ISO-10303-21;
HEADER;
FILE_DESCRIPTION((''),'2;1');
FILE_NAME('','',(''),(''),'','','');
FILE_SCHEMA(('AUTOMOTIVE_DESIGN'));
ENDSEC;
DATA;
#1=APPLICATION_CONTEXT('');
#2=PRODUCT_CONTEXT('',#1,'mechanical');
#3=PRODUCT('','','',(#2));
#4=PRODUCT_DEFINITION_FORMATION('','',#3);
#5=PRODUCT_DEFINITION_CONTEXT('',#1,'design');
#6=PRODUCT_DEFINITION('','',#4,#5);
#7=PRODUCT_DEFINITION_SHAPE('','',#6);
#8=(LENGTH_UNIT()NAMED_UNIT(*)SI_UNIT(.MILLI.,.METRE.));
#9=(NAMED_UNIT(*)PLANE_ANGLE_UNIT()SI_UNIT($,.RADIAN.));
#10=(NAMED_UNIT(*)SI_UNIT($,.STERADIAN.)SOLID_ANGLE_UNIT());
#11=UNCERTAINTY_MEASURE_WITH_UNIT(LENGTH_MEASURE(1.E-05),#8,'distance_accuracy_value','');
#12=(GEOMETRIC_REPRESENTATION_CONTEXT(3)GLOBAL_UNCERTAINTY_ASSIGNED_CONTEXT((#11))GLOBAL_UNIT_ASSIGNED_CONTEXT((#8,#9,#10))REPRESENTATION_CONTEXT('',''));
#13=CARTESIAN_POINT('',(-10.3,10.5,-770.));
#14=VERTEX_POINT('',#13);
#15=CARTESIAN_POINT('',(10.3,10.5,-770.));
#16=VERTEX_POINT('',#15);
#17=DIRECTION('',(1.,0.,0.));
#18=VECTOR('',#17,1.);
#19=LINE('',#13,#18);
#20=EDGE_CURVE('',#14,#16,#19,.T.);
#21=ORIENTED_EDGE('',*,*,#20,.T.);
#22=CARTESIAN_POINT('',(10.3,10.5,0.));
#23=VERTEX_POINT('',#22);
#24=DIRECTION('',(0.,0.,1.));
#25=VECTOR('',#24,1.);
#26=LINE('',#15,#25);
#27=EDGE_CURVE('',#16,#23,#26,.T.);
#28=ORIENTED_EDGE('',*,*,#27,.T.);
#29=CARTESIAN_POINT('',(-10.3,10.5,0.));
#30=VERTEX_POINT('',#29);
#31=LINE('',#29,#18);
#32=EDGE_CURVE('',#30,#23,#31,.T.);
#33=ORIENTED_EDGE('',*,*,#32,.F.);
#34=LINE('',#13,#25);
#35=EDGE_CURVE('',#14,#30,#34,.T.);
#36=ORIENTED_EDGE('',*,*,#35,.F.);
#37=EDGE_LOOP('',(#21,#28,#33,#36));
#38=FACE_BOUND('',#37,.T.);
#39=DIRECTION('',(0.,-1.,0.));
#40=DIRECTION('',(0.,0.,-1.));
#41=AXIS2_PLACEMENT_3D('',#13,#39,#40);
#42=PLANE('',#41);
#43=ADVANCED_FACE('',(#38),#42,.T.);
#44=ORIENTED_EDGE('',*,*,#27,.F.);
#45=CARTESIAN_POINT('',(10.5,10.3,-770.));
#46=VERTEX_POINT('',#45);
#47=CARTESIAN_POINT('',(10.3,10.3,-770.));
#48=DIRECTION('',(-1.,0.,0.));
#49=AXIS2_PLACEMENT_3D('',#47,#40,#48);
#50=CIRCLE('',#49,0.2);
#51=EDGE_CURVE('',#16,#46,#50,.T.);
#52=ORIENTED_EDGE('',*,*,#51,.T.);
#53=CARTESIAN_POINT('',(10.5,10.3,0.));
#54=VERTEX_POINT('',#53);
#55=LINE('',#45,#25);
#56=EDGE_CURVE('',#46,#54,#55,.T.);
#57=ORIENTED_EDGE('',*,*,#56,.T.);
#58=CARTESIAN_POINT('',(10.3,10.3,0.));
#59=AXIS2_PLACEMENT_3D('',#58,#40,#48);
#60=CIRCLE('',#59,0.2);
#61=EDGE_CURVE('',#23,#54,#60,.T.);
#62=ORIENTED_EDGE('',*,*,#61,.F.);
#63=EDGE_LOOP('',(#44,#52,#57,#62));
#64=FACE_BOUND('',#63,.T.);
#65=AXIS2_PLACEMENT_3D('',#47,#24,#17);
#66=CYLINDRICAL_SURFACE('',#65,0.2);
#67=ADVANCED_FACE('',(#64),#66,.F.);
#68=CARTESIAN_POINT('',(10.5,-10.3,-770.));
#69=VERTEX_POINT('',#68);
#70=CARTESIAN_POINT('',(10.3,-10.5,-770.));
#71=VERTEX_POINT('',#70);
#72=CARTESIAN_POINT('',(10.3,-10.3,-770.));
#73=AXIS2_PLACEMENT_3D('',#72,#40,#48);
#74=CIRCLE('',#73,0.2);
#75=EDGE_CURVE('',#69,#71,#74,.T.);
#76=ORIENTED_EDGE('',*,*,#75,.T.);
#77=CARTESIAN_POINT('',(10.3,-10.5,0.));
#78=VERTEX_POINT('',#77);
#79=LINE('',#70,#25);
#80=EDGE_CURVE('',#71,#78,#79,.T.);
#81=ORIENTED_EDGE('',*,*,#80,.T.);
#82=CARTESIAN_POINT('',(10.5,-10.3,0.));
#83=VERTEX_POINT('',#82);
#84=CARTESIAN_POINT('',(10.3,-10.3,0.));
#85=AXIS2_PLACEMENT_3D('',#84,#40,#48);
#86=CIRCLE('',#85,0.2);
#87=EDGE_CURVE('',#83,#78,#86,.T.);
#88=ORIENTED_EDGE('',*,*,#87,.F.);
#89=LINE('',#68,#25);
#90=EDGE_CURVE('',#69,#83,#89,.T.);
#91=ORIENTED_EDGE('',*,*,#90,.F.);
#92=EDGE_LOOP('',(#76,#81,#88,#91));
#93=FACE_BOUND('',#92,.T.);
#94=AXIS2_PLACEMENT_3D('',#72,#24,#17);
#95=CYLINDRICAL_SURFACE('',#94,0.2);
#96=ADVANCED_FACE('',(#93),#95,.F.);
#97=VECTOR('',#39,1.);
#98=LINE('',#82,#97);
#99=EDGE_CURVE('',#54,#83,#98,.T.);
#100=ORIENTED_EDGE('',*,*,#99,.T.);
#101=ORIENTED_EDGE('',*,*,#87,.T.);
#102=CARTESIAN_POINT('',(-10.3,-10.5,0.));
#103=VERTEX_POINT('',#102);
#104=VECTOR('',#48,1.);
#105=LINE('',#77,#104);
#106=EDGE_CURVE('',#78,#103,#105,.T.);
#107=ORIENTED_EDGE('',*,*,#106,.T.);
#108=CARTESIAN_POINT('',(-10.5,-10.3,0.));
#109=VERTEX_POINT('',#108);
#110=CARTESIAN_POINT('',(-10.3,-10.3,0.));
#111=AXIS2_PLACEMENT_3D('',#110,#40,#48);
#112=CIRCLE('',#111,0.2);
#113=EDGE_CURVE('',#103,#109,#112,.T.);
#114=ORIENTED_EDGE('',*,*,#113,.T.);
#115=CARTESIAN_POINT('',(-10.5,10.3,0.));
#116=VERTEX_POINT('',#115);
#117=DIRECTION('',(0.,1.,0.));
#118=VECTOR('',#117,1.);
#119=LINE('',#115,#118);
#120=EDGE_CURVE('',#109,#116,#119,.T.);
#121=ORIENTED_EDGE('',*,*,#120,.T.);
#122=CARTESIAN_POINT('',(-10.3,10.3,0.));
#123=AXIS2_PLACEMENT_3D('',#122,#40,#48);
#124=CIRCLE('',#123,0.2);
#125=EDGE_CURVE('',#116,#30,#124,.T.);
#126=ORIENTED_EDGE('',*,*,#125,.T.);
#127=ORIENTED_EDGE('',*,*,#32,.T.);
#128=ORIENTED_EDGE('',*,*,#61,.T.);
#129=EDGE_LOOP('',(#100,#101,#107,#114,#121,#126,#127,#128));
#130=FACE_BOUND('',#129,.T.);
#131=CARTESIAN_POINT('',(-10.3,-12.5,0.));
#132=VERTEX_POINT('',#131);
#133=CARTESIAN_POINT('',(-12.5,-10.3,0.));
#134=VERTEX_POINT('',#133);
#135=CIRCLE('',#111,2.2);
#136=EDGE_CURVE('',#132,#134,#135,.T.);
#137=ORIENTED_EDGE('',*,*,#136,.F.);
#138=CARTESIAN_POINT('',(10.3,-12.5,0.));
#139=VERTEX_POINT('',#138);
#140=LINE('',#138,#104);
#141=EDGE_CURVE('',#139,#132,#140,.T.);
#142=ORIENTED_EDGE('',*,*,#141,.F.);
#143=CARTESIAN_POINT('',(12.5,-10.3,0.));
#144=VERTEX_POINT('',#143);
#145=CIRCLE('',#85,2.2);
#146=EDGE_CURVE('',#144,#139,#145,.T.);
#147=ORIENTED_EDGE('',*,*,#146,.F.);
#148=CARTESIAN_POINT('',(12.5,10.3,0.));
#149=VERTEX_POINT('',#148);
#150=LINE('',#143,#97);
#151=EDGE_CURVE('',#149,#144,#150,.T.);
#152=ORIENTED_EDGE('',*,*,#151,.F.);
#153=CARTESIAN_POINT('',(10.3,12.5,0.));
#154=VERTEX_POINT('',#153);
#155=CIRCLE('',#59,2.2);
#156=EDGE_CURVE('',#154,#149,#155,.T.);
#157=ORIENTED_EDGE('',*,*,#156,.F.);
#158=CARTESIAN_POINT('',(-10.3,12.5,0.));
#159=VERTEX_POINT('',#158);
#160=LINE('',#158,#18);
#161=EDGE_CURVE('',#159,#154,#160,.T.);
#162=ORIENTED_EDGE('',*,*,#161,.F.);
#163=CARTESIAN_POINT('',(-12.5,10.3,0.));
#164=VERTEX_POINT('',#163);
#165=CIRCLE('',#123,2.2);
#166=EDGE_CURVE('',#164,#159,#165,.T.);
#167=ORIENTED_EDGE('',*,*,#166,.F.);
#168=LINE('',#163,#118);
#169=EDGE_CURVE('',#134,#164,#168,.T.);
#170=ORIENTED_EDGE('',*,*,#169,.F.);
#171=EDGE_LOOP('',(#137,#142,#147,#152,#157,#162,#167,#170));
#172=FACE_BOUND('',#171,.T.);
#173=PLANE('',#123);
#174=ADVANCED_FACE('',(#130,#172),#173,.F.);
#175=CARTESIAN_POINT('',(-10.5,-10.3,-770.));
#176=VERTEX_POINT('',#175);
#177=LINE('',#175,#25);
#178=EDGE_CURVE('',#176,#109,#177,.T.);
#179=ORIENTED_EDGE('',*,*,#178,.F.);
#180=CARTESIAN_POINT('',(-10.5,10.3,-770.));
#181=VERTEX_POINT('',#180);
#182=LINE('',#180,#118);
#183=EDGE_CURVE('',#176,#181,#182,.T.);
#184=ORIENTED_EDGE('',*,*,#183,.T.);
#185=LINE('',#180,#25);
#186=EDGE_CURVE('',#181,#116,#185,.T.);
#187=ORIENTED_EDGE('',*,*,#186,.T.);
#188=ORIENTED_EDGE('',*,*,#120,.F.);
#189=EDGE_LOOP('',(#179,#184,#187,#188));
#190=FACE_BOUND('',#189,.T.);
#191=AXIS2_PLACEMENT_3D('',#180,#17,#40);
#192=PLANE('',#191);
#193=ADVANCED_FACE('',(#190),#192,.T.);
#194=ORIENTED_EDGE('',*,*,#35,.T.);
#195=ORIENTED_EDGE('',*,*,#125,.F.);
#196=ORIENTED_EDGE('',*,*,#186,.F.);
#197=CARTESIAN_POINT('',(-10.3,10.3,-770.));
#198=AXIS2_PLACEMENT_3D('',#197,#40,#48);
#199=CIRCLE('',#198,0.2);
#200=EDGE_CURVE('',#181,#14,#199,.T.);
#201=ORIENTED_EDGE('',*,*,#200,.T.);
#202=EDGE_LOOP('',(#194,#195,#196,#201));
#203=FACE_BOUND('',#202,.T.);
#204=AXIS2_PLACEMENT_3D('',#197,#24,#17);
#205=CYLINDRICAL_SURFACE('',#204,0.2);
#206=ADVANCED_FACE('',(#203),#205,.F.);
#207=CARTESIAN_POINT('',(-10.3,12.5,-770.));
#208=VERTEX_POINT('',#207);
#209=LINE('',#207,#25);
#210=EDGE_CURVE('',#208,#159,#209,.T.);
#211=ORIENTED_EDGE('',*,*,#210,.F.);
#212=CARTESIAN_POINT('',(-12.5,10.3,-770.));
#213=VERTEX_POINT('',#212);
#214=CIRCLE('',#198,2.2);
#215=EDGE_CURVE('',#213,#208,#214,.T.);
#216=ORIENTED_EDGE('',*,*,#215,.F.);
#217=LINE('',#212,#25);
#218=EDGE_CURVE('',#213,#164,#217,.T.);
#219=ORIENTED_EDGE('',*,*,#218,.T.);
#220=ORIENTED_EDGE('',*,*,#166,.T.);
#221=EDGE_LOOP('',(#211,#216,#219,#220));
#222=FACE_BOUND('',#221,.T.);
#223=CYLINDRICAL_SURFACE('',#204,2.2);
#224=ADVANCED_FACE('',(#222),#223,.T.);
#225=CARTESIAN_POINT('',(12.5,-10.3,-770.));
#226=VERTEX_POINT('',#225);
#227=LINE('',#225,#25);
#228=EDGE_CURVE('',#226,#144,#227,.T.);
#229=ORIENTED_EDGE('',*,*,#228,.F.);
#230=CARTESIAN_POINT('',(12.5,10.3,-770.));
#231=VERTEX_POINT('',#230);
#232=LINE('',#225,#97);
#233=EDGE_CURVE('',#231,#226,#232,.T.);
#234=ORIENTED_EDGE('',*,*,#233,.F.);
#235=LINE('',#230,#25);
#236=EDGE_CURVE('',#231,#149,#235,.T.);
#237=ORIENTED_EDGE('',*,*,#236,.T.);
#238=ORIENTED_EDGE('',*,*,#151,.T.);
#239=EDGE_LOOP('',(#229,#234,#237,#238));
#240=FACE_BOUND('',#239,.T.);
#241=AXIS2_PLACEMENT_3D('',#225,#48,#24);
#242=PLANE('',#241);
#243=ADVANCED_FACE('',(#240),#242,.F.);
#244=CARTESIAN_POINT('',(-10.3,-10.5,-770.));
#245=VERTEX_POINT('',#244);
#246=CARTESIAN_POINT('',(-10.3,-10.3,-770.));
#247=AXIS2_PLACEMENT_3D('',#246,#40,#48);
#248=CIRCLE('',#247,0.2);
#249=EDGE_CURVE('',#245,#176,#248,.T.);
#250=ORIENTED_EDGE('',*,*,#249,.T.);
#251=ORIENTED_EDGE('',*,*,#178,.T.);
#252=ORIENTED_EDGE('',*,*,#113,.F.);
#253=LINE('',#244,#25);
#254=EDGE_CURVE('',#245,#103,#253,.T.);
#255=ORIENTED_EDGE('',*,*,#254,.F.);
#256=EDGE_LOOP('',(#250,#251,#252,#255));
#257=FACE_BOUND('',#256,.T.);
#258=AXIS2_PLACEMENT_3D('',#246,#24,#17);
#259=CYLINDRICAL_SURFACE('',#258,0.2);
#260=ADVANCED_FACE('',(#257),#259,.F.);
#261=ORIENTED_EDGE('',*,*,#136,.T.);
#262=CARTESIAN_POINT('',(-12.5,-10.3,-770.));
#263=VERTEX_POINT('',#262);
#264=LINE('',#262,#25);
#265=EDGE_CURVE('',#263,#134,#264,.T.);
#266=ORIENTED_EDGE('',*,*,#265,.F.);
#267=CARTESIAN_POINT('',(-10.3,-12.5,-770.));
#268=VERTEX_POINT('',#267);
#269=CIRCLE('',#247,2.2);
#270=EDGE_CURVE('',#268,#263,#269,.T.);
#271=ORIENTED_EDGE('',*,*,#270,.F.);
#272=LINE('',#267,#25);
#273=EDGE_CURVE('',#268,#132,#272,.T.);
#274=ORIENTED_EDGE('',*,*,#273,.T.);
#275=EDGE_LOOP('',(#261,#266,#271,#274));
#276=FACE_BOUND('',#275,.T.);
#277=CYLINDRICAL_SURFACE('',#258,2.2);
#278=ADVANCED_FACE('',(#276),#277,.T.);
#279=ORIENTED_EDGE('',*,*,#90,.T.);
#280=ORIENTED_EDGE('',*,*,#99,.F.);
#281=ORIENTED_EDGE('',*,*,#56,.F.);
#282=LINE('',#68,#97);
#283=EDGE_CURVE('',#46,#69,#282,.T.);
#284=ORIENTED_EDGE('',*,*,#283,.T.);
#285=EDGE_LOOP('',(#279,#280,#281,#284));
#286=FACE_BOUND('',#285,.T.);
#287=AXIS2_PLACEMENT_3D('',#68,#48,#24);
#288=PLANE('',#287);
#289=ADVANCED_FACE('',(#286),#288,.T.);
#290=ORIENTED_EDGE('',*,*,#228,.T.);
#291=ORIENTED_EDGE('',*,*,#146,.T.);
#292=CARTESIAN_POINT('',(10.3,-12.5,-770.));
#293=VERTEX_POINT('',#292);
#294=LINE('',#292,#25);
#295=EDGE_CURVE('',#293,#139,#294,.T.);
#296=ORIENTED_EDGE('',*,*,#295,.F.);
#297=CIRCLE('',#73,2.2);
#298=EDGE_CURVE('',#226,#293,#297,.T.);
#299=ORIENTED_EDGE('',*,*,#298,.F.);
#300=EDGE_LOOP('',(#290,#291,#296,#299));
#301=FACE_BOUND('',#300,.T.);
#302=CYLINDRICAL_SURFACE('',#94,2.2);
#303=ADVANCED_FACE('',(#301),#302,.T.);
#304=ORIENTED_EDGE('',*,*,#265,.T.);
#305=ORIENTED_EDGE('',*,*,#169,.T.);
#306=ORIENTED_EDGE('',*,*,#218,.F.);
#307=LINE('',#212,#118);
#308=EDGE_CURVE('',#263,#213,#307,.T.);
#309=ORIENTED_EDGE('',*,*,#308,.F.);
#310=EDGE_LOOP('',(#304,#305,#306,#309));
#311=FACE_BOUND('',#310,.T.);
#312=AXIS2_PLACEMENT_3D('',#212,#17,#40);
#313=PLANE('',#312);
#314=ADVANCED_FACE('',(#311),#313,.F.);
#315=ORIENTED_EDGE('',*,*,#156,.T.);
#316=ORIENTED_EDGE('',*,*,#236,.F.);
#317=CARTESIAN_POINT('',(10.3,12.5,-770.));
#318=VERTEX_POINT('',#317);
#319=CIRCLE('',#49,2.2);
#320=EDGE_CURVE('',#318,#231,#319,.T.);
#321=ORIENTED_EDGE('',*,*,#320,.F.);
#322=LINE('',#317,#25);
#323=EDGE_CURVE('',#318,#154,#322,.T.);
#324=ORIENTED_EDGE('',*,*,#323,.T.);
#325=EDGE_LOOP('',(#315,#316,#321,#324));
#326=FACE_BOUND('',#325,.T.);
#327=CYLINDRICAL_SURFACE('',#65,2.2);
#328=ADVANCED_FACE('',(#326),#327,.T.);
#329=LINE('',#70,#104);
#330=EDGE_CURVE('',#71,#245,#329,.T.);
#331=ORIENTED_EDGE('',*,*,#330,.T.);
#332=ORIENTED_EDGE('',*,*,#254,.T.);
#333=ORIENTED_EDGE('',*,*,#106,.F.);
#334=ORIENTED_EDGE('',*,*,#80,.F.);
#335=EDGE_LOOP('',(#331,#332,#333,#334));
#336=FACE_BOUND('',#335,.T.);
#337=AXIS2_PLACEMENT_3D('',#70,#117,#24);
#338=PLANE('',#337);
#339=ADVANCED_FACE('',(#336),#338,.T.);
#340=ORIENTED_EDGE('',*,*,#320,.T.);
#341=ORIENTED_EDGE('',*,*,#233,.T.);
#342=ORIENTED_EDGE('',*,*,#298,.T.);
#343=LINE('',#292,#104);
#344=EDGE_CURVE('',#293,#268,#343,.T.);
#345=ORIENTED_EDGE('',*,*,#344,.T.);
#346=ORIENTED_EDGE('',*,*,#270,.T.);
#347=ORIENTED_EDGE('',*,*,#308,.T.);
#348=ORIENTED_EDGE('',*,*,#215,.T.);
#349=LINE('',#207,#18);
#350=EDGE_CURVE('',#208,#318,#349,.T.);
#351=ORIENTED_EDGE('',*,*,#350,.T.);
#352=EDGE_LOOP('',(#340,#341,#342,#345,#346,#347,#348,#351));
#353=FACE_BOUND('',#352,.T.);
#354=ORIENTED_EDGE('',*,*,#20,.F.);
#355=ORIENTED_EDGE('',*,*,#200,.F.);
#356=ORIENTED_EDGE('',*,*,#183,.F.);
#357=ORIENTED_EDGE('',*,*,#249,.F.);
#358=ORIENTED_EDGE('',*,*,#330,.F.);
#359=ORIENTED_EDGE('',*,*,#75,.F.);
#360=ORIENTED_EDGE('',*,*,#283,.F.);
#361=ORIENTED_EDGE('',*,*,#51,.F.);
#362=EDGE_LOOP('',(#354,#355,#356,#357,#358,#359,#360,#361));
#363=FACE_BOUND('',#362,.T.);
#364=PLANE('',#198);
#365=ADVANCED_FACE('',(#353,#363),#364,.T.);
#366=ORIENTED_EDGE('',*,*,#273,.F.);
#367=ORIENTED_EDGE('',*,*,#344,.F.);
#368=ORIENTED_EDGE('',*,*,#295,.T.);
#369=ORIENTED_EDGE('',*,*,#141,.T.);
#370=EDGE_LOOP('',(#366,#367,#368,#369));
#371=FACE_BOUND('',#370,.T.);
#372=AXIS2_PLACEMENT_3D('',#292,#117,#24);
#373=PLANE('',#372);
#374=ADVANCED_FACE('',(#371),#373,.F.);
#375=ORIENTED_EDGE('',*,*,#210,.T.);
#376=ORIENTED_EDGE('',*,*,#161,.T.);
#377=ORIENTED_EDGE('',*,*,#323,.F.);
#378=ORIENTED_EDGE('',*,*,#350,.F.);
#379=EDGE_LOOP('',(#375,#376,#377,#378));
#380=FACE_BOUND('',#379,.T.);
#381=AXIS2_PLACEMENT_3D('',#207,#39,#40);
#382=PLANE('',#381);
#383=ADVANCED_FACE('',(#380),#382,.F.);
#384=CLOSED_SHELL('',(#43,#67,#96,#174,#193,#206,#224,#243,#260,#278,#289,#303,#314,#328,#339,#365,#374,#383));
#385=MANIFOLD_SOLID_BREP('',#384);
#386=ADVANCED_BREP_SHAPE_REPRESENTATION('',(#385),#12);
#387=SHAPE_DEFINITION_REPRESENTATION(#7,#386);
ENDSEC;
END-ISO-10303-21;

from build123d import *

# Parameters (mm, degrees)
STRUCTURAL_MEMBER1_DEPTH = 770


with BuildPart() as part:
    # Sketch11 → Structural Member1 (new body)
    with BuildSketch(Plane(origin=(0, 0, 0), x_dir=(-1, 0, 0), z_dir=(0, 0, -1))):
        with BuildLine():
            Line((-10.3, -12.5), (10.3, -12.5))
            ThreePointArc((10.3, -12.5), (11.855634919, -11.855634919), (12.5, -10.3))
            Line((12.5, -10.3), (12.5, 10.3))
            ThreePointArc((12.5, 10.3), (11.855634919, 11.855634919), (10.3, 12.5))
            Line((10.3, 12.5), (-10.3, 12.5))
            ThreePointArc((-10.3, 12.5), (-11.855634919, 11.855634919), (-12.5, 10.3))
            Line((-12.5, 10.3), (-12.5, -10.3))
            ThreePointArc((-12.5, -10.3), (-11.855634919, -11.855634919), (-10.3, -12.5))
        make_face()
        with BuildLine():
            Line((-10.3, -10.5), (10.3, -10.5))
            ThreePointArc((10.3, -10.5), (10.441421356, -10.441421356), (10.5, -10.3))
            Line((10.5, -10.3), (10.5, 10.3))
            ThreePointArc((10.5, 10.3), (10.441421356, 10.441421356), (10.3, 10.5))
            Line((10.3, 10.5), (-10.3, 10.5))
            ThreePointArc((-10.3, 10.5), (-10.441421356, 10.441421356), (-10.5, 10.3))
            Line((-10.5, 10.3), (-10.5, -10.3))
            ThreePointArc((-10.5, -10.3), (-10.441421356, -10.441421356), (-10.3, -10.5))
        make_face(mode=Mode.SUBTRACT)
    extrude(amount=STRUCTURAL_MEMBER1_DEPTH)


solid = part.part
